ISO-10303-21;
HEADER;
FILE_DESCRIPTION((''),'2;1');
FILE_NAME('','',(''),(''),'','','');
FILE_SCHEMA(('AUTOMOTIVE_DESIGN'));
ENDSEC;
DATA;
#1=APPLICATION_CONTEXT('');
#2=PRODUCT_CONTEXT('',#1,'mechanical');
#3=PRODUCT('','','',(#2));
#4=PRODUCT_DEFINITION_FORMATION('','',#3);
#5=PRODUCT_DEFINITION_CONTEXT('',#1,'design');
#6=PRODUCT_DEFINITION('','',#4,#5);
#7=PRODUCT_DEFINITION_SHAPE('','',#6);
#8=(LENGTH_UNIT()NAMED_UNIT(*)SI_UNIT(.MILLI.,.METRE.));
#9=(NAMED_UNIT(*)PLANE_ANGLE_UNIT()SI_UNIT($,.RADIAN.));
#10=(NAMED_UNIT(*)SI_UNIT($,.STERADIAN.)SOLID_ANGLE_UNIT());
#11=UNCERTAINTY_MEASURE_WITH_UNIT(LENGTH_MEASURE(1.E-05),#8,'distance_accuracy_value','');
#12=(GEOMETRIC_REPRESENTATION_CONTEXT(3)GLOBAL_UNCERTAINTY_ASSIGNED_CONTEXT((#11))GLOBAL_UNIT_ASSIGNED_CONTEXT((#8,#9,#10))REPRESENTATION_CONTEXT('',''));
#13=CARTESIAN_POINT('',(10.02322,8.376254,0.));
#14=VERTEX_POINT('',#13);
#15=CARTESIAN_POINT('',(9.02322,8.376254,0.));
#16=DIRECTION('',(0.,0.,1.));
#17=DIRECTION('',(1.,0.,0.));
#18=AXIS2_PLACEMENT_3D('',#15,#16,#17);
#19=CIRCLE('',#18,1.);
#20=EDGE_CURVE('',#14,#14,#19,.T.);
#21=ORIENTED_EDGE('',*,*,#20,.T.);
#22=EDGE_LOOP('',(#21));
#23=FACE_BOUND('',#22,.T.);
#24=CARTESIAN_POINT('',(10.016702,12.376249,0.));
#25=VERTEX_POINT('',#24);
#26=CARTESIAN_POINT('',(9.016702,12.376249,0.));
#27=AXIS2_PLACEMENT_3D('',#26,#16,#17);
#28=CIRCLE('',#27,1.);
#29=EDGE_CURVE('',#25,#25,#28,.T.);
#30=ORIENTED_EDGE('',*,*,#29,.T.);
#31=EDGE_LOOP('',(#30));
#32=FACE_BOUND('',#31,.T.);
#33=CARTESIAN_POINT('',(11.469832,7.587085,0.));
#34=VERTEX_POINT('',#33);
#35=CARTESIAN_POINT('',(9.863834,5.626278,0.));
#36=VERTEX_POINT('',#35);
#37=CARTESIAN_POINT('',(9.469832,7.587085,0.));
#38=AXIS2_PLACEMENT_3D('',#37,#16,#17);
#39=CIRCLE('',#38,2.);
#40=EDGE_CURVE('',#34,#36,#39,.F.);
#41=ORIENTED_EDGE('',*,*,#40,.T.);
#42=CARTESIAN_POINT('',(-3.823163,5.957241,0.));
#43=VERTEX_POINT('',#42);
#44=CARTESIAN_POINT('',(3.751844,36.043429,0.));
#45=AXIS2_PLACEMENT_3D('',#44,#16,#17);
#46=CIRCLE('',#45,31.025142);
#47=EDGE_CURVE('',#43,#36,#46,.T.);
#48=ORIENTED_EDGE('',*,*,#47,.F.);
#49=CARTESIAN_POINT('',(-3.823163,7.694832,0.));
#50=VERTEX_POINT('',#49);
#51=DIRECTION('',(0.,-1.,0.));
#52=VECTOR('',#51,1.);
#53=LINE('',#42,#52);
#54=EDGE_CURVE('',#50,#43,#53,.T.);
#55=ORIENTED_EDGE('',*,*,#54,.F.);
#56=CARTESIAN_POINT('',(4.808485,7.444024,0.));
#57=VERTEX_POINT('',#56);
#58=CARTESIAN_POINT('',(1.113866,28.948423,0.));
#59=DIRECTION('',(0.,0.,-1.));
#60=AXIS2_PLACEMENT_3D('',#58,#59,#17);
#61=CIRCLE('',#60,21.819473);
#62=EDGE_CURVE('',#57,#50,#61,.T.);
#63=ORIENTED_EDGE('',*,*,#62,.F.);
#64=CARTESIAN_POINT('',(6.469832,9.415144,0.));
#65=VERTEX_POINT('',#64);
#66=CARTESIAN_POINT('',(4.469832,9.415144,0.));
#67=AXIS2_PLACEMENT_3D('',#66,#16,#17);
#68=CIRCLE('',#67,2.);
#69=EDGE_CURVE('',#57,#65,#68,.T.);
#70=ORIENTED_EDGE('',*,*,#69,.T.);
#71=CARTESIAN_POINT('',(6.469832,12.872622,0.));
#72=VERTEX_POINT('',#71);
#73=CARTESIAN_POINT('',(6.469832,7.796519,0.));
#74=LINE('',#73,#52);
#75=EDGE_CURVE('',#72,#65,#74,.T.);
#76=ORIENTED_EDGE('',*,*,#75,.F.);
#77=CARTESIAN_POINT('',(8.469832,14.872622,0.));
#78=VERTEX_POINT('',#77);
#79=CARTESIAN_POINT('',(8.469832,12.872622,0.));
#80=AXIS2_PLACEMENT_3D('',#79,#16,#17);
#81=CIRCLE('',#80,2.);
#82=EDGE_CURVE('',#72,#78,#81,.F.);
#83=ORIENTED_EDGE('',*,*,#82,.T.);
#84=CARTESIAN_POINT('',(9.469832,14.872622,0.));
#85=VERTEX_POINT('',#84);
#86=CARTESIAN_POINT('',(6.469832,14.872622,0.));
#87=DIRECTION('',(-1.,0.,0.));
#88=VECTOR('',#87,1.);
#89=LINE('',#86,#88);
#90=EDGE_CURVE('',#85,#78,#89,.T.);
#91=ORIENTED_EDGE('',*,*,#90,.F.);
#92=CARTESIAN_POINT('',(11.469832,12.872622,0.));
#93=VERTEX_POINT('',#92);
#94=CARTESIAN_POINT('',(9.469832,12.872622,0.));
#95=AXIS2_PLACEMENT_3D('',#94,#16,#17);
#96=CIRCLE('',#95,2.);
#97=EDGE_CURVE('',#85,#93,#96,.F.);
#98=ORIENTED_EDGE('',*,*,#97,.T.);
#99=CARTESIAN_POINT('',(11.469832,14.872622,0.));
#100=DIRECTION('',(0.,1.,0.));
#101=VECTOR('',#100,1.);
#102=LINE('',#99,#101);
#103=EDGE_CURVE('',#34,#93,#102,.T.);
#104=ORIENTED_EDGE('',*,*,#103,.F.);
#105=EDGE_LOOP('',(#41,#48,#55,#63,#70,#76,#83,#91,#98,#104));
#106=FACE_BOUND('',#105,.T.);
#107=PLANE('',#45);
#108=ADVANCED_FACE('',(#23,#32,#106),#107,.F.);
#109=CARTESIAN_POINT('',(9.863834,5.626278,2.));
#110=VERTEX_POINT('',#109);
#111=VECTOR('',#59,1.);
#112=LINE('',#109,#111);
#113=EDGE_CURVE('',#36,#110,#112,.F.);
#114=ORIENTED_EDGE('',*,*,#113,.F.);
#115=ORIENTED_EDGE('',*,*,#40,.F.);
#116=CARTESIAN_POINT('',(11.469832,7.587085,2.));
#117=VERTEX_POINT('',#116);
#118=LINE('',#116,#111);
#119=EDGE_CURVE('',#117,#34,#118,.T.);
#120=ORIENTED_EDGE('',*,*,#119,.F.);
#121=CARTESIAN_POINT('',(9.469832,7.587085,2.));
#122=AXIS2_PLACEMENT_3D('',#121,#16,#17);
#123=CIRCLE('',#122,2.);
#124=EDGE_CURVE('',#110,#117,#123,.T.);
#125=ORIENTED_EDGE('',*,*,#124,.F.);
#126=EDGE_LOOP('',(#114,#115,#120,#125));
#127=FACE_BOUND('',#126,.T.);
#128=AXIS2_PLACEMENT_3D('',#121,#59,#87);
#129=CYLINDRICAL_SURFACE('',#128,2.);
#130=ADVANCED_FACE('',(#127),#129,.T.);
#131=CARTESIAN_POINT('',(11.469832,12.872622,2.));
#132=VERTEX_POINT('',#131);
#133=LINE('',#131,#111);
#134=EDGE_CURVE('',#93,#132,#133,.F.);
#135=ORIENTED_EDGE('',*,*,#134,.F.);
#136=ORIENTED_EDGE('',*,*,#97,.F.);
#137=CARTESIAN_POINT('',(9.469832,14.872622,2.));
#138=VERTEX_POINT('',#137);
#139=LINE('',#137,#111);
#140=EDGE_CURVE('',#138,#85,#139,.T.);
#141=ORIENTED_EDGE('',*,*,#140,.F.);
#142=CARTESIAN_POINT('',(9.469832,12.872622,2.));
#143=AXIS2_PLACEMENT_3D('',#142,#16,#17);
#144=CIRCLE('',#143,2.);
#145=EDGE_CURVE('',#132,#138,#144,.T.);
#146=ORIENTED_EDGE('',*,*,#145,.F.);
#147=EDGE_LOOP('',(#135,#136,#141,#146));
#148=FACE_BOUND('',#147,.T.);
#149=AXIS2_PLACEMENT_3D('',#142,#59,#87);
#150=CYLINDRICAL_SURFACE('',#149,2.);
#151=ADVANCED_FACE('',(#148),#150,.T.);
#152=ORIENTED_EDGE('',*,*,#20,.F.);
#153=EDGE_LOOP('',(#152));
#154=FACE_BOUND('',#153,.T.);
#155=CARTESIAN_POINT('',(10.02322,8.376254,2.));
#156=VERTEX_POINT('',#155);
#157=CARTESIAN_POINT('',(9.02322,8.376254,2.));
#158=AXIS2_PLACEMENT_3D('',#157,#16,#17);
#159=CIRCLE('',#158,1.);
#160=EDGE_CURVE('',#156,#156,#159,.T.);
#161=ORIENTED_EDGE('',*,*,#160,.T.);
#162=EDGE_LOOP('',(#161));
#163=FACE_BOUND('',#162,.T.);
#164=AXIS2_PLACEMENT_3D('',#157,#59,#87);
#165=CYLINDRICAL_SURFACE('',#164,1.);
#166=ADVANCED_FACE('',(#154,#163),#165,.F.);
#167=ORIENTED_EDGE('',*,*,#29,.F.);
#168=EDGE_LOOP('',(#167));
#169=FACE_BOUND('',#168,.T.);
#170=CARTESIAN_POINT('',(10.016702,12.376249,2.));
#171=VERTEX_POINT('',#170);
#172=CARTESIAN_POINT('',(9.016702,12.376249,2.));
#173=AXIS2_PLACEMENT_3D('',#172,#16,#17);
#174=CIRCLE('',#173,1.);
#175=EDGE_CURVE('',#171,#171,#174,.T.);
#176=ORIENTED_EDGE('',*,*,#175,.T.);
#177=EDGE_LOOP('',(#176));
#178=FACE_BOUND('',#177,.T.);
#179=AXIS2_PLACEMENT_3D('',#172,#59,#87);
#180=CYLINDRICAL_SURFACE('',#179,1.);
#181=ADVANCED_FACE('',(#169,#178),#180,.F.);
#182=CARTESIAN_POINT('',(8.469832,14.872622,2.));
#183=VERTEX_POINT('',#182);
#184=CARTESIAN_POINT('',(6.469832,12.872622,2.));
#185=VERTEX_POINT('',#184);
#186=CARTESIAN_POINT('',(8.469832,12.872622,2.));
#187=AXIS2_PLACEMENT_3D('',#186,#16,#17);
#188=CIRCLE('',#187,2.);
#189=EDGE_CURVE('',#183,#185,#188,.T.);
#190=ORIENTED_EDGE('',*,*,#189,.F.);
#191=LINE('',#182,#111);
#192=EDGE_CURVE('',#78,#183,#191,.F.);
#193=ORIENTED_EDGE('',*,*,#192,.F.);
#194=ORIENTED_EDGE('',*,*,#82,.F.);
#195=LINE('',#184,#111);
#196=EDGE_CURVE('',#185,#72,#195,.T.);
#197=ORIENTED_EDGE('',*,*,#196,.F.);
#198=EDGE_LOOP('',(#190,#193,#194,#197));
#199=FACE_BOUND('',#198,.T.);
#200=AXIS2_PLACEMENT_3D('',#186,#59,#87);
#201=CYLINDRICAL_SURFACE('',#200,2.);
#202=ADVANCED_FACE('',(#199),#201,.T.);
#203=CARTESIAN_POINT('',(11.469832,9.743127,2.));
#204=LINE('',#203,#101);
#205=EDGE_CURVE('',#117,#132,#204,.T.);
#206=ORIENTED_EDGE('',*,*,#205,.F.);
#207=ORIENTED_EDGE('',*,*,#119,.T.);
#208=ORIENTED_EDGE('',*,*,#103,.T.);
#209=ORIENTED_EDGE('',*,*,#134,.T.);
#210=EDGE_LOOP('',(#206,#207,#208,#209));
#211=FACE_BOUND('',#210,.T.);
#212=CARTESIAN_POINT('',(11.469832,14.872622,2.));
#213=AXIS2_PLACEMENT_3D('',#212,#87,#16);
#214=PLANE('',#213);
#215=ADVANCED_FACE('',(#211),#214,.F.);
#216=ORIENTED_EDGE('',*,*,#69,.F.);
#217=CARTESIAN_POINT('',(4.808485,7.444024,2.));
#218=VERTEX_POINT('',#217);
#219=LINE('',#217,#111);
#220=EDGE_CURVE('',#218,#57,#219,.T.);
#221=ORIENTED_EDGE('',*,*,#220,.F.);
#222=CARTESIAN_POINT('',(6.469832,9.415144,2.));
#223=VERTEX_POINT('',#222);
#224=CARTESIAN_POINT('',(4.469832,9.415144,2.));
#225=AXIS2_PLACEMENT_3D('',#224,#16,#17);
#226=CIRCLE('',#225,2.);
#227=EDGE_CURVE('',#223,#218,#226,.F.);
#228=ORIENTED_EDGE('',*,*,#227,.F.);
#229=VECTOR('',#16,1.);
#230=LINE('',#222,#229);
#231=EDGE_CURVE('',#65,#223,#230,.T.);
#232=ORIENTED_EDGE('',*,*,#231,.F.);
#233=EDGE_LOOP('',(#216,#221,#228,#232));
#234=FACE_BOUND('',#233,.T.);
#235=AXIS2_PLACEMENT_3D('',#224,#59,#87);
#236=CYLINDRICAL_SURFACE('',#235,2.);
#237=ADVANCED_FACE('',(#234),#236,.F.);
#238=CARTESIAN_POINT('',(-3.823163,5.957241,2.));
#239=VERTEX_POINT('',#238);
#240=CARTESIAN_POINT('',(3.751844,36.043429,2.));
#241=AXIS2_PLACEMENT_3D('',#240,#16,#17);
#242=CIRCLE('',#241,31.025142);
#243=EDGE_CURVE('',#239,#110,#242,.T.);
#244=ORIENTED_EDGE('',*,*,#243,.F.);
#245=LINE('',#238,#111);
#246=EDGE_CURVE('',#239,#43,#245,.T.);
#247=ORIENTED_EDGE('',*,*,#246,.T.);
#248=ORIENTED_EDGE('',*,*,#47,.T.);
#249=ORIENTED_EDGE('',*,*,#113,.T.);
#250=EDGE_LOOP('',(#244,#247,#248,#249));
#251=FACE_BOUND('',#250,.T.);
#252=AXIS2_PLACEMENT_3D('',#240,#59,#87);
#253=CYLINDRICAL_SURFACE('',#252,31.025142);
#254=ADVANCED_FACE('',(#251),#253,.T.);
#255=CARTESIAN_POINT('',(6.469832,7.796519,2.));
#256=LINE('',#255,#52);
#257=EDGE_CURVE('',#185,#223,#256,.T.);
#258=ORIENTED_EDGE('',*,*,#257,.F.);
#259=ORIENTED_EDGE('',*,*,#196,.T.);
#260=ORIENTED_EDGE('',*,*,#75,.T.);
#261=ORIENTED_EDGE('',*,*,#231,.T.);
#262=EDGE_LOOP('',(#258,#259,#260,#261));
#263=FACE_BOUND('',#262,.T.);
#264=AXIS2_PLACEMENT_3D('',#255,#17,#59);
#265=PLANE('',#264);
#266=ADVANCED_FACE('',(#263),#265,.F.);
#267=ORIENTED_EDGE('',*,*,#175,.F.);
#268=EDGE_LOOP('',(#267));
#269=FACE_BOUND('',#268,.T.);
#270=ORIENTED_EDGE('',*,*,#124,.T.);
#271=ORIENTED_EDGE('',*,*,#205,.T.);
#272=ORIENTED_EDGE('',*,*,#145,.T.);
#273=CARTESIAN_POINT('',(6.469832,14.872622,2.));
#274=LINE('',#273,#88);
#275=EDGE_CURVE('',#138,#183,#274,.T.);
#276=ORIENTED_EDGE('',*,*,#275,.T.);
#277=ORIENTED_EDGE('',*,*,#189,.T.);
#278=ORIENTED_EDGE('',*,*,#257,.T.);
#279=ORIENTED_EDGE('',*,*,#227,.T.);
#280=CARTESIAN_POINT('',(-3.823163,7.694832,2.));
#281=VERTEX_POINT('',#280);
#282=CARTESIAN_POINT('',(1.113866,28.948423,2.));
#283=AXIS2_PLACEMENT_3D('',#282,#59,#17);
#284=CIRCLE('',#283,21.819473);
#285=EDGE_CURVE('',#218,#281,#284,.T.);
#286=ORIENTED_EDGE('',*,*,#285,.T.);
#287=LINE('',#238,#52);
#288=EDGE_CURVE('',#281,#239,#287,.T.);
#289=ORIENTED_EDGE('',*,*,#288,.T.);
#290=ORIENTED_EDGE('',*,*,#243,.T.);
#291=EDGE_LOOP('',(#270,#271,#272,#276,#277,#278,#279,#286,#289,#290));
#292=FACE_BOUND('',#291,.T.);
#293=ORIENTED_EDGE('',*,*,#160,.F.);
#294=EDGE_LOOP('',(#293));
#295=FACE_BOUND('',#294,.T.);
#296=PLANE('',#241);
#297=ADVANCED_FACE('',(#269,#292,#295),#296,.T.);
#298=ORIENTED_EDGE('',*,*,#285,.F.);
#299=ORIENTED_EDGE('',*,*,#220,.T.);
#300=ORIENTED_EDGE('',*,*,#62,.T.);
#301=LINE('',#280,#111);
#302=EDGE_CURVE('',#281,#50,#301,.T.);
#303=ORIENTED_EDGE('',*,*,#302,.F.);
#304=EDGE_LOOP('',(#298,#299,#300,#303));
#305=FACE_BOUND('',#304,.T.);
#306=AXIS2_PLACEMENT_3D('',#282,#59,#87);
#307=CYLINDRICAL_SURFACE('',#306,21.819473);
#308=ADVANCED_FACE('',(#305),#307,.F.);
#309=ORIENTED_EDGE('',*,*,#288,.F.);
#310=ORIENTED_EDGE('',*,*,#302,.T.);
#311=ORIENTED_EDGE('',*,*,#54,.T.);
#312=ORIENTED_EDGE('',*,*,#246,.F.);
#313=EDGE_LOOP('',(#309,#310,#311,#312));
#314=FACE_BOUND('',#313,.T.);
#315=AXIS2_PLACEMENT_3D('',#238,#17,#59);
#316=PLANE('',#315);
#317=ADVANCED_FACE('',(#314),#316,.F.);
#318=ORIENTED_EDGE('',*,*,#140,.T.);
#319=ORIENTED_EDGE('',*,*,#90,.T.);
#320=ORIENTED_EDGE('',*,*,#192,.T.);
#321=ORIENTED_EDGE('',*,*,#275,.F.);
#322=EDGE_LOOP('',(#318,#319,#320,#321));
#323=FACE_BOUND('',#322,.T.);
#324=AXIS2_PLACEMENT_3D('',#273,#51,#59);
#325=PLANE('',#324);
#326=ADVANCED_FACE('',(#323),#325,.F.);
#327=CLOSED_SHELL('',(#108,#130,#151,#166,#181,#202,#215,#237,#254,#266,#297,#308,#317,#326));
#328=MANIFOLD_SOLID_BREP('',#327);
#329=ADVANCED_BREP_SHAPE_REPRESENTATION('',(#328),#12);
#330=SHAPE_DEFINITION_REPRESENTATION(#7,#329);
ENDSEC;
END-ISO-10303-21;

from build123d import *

# Parameters (mm, degrees)
SKETCH2_R           = 1
BOSS_EXTRUDE2_DEPTH = 2
FILLET1_R           = 2


with BuildPart() as part:
    # Sketch2 → Boss-Extrude2 (new body)
    with BuildSketch(Plane.XY):
        with BuildLine():
            Line((-3.823163379, 5.957240807), (-3.823163379, 7.694831843))
            ThreePointArc((-3.823163379, 7.694831843), (1.329416424, 7.130014771), (6.469831661, 7.796519188))
            Line((6.469831661, 7.796519188), (6.469831661, 14.872622199))
            Line((6.469831661, 14.872622199), (11.469831661, 14.872622199))
            Line((11.469831661, 14.872622199), (11.469831661, 9.743127337))
            Line((11.469831661, 9.743127337), (11.469831661, 5.993601449))
            ThreePointArc((11.469831661, 5.993601449), (3.825609616, 5.018374254), (-3.823163379, 5.957240807))
        make_face()
        with Locations((9.023220077, 8.376253999)):
            Circle(SKETCH2_R, mode=Mode.SUBTRACT)
        with Locations((9.016702167, 12.376248688)):
            Circle(SKETCH2_R, mode=Mode.SUBTRACT)
    extrude(amount=BOSS_EXTRUDE2_DEPTH)

    # Fillet1
    fillet1_edges = [part.edges().sort_by_distance(p)[0] for p in [
        (6.469831661, 7.796519188, 1),
        (6.469831661, 14.872622199, 1),
        (11.469831661, 14.872622199, 1),
        (11.469831661, 5.993601449, 1),
    ]]
    fillet(fillet1_edges, radius=FILLET1_R)


solid = part.part
